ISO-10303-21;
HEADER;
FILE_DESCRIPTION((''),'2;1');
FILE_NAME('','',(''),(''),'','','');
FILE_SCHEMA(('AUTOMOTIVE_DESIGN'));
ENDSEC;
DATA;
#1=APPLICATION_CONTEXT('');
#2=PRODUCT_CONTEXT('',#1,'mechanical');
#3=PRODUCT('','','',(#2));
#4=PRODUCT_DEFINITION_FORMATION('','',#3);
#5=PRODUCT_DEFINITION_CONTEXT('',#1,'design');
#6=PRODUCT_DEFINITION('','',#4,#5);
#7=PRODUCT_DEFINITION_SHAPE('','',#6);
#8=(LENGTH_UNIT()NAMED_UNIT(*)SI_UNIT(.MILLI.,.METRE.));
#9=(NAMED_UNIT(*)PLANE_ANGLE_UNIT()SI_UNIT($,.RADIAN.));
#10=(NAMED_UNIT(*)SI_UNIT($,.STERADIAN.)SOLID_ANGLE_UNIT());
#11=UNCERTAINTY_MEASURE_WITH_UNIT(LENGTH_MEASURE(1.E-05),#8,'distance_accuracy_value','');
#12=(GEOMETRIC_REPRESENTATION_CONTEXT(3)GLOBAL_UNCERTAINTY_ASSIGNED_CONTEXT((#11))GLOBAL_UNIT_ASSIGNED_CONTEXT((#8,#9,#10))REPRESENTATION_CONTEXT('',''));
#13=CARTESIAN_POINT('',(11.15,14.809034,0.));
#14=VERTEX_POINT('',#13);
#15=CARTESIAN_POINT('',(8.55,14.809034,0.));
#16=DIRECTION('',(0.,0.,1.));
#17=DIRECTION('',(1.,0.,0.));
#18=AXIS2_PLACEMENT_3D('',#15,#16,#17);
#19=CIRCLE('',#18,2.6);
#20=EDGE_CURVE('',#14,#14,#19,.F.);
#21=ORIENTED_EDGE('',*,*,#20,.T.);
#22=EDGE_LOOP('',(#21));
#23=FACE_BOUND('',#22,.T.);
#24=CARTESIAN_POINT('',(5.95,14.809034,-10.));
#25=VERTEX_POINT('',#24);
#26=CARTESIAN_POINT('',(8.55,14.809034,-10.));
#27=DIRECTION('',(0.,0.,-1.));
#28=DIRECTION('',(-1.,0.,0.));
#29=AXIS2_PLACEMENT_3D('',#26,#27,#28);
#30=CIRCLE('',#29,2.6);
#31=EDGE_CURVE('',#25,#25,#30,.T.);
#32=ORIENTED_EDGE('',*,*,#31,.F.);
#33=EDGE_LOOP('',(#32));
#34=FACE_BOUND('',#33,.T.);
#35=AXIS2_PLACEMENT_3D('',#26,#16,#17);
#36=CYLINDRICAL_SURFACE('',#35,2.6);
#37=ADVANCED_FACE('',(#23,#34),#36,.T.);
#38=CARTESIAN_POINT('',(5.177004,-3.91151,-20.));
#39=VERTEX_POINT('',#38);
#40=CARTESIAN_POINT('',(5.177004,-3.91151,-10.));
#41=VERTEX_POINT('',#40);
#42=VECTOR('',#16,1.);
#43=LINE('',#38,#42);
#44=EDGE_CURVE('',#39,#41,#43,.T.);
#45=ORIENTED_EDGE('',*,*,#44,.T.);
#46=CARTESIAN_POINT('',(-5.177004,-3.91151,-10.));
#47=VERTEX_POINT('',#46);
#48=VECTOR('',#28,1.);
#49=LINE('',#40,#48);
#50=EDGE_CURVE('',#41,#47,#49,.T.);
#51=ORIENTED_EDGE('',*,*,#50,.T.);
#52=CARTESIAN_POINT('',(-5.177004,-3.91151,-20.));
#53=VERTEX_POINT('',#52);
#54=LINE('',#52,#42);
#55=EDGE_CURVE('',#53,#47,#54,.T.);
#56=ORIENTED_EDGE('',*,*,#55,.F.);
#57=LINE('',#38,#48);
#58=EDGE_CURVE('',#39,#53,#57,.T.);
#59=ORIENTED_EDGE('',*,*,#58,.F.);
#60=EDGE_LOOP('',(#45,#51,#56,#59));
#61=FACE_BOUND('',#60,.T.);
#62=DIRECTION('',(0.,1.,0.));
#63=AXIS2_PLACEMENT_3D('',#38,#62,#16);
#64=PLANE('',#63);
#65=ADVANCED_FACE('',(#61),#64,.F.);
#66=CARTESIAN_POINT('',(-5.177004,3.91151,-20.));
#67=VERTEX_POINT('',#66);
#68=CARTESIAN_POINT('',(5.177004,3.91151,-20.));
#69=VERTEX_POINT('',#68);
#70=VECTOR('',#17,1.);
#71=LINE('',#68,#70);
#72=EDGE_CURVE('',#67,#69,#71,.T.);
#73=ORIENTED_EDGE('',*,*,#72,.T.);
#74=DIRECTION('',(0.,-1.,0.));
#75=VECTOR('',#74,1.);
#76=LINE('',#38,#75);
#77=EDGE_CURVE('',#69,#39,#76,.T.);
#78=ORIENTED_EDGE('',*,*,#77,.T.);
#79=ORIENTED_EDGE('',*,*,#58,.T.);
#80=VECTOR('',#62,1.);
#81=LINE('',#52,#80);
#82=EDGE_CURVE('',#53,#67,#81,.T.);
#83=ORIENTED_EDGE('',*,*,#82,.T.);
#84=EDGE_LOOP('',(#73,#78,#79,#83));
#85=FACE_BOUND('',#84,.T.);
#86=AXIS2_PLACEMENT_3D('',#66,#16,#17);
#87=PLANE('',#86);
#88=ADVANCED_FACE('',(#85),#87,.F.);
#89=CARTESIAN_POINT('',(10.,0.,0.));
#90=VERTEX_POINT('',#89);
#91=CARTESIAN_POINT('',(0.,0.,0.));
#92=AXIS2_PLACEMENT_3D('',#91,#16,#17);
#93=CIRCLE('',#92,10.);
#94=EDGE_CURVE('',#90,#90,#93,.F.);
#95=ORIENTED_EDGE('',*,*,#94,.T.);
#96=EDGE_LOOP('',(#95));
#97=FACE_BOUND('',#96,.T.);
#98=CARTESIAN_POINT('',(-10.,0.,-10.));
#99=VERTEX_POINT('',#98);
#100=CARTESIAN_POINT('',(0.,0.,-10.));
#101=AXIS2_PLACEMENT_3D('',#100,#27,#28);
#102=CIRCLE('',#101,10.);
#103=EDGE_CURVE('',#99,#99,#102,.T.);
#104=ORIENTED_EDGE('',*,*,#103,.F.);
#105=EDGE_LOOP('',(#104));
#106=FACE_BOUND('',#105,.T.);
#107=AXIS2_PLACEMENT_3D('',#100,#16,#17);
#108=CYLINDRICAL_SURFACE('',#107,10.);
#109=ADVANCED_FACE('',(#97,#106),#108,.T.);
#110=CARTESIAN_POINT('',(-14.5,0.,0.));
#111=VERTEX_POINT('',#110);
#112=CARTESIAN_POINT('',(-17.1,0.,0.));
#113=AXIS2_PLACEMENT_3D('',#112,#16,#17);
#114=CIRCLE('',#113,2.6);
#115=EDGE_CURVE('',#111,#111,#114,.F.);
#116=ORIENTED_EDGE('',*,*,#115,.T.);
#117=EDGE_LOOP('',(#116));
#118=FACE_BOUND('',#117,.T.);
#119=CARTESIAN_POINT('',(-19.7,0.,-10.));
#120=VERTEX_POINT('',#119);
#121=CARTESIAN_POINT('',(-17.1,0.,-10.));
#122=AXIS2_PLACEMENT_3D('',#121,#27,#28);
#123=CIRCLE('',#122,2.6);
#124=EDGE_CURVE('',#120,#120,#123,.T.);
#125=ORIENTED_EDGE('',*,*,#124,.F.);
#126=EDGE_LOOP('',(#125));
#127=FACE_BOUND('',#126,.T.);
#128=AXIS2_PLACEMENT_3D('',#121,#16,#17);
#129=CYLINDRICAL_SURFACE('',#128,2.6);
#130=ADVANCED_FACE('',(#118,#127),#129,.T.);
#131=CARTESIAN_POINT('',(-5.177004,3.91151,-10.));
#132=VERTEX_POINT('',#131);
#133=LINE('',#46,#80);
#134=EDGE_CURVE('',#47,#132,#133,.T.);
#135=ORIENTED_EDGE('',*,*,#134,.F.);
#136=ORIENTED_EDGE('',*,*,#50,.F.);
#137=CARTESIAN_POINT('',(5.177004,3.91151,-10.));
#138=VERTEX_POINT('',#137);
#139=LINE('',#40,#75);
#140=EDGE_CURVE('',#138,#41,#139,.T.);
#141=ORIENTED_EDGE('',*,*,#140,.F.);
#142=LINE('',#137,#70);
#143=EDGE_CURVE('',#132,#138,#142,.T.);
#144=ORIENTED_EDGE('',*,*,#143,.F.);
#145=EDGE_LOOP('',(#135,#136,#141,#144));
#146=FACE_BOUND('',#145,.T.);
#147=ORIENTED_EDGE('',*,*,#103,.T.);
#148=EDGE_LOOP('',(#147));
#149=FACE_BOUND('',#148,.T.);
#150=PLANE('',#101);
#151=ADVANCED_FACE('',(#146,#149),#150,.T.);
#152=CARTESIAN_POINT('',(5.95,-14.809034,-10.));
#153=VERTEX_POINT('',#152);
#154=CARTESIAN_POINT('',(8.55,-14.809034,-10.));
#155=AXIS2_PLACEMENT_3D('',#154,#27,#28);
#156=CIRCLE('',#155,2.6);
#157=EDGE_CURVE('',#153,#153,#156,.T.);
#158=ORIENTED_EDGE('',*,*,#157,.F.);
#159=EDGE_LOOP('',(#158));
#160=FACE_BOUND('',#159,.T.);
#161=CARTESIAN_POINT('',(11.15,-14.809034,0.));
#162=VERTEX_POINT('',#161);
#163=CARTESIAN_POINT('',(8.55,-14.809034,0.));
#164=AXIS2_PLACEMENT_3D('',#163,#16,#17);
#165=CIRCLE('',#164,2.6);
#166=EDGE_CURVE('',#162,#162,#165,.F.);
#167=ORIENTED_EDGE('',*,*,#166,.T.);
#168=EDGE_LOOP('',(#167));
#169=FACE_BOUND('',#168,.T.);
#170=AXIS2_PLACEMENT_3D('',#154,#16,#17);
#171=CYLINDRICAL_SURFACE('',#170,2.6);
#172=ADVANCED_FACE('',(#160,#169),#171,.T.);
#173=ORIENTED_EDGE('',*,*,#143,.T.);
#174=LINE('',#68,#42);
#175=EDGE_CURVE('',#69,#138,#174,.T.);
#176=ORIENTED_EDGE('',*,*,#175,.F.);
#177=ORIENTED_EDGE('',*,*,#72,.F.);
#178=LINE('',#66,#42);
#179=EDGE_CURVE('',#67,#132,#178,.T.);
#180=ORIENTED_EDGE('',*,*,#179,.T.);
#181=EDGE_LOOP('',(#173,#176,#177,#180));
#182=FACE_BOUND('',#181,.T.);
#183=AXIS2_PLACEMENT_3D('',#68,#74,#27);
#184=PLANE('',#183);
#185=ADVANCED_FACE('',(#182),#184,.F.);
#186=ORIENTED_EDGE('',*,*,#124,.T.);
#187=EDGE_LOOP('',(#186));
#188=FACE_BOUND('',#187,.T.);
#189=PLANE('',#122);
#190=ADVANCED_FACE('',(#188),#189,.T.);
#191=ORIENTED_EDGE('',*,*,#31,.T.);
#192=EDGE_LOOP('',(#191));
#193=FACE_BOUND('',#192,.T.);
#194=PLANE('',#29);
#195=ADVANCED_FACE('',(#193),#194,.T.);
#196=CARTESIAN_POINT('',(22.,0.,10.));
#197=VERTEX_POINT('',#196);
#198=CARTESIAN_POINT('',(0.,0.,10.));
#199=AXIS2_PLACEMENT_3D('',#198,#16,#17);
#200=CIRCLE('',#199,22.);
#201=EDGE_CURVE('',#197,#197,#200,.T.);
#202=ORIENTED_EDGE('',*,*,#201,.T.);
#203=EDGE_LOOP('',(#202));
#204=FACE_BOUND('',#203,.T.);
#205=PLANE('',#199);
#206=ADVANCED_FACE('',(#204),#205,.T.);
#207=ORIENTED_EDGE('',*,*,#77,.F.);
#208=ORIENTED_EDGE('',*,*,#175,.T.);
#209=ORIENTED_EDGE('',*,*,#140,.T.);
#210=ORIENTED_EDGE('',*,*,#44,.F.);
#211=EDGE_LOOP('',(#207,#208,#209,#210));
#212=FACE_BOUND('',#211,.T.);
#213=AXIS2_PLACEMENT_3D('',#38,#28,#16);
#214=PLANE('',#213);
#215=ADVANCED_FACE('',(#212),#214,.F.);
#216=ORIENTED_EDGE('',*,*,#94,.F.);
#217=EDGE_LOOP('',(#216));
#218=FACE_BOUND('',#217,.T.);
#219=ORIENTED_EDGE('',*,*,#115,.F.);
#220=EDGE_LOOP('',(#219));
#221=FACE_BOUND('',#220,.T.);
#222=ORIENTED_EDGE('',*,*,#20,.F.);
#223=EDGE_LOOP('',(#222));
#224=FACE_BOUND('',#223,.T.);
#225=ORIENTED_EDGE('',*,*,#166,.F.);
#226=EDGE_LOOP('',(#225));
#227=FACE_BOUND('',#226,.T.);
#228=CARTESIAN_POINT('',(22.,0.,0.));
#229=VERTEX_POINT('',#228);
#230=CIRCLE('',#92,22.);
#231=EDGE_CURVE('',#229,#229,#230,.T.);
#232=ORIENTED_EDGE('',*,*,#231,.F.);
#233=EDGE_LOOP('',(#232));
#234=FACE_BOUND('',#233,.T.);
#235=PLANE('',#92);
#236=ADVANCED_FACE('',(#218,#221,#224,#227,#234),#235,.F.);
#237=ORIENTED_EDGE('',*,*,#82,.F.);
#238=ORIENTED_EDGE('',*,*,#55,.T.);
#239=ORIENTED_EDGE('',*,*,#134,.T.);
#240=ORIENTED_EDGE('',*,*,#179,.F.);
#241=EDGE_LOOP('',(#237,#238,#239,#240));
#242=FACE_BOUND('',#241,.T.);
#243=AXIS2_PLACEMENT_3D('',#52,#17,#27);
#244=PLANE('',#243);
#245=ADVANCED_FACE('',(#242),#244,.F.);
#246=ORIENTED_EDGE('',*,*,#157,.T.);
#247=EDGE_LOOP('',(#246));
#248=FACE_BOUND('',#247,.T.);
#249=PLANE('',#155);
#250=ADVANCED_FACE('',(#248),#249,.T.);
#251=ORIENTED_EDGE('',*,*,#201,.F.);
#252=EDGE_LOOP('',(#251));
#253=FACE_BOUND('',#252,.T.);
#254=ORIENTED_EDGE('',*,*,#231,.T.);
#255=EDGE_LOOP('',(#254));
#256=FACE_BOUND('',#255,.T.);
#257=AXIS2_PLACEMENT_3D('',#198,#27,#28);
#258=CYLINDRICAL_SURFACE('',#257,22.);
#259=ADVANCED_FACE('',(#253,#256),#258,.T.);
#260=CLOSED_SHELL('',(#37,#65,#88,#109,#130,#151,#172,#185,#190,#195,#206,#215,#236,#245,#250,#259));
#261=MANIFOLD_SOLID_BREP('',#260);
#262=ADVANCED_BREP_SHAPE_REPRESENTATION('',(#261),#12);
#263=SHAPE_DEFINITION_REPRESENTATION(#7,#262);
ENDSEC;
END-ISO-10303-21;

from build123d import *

# Parameters (mm, degrees)
SKETCH1_R           = 22
BOSS_EXTRUDE1_DEPTH = 10
SKETCH3_R           = 10
BOSS_EXTRUDE2_DEPTH = 10
SKETCH4_R           = 2.6
BOSS_EXTRUDE3_DEPTH = 10
SKETCH7_W           = 10.354007758
SKETCH7_H           = 7.823019208
BOSS_EXTRUDE4_DEPTH = 10


with BuildPart() as part:
    # Sketch1 → Boss-Extrude1 (new body)
    with BuildSketch(Plane.XY):
        Circle(SKETCH1_R)
    extrude(amount=BOSS_EXTRUDE1_DEPTH)

    # Sketch3 → Boss-Extrude2 (add)
    with BuildSketch(Plane(origin=(0, 0, 0), x_dir=(-1, 0, 0), z_dir=(0, 0, -1))):
        Circle(SKETCH3_R)
    extrude(amount=BOSS_EXTRUDE2_DEPTH)

    # Sketch4 → Boss-Extrude3 (add)
    with BuildSketch(Plane(origin=(0, 0, 0), x_dir=(-1, 0, 0), z_dir=(0, 0, -1))):
        with Locations((17.1, 0)):
            Circle(SKETCH4_R)
        with Locations((-8.55, -14.809034405)):
            Circle(SKETCH4_R)
        with Locations((-8.55, 14.809034405)):
            Circle(SKETCH4_R)
    extrude(amount=BOSS_EXTRUDE3_DEPTH)

    # Sketch7 → Boss-Extrude4 (add)
    with BuildSketch(Plane(origin=(0, 0, -10), x_dir=(-1, 0, 0), z_dir=(0, 0, -1))):
        Rectangle(SKETCH7_W, SKETCH7_H)
    extrude(amount=BOSS_EXTRUDE4_DEPTH)


solid = part.part
